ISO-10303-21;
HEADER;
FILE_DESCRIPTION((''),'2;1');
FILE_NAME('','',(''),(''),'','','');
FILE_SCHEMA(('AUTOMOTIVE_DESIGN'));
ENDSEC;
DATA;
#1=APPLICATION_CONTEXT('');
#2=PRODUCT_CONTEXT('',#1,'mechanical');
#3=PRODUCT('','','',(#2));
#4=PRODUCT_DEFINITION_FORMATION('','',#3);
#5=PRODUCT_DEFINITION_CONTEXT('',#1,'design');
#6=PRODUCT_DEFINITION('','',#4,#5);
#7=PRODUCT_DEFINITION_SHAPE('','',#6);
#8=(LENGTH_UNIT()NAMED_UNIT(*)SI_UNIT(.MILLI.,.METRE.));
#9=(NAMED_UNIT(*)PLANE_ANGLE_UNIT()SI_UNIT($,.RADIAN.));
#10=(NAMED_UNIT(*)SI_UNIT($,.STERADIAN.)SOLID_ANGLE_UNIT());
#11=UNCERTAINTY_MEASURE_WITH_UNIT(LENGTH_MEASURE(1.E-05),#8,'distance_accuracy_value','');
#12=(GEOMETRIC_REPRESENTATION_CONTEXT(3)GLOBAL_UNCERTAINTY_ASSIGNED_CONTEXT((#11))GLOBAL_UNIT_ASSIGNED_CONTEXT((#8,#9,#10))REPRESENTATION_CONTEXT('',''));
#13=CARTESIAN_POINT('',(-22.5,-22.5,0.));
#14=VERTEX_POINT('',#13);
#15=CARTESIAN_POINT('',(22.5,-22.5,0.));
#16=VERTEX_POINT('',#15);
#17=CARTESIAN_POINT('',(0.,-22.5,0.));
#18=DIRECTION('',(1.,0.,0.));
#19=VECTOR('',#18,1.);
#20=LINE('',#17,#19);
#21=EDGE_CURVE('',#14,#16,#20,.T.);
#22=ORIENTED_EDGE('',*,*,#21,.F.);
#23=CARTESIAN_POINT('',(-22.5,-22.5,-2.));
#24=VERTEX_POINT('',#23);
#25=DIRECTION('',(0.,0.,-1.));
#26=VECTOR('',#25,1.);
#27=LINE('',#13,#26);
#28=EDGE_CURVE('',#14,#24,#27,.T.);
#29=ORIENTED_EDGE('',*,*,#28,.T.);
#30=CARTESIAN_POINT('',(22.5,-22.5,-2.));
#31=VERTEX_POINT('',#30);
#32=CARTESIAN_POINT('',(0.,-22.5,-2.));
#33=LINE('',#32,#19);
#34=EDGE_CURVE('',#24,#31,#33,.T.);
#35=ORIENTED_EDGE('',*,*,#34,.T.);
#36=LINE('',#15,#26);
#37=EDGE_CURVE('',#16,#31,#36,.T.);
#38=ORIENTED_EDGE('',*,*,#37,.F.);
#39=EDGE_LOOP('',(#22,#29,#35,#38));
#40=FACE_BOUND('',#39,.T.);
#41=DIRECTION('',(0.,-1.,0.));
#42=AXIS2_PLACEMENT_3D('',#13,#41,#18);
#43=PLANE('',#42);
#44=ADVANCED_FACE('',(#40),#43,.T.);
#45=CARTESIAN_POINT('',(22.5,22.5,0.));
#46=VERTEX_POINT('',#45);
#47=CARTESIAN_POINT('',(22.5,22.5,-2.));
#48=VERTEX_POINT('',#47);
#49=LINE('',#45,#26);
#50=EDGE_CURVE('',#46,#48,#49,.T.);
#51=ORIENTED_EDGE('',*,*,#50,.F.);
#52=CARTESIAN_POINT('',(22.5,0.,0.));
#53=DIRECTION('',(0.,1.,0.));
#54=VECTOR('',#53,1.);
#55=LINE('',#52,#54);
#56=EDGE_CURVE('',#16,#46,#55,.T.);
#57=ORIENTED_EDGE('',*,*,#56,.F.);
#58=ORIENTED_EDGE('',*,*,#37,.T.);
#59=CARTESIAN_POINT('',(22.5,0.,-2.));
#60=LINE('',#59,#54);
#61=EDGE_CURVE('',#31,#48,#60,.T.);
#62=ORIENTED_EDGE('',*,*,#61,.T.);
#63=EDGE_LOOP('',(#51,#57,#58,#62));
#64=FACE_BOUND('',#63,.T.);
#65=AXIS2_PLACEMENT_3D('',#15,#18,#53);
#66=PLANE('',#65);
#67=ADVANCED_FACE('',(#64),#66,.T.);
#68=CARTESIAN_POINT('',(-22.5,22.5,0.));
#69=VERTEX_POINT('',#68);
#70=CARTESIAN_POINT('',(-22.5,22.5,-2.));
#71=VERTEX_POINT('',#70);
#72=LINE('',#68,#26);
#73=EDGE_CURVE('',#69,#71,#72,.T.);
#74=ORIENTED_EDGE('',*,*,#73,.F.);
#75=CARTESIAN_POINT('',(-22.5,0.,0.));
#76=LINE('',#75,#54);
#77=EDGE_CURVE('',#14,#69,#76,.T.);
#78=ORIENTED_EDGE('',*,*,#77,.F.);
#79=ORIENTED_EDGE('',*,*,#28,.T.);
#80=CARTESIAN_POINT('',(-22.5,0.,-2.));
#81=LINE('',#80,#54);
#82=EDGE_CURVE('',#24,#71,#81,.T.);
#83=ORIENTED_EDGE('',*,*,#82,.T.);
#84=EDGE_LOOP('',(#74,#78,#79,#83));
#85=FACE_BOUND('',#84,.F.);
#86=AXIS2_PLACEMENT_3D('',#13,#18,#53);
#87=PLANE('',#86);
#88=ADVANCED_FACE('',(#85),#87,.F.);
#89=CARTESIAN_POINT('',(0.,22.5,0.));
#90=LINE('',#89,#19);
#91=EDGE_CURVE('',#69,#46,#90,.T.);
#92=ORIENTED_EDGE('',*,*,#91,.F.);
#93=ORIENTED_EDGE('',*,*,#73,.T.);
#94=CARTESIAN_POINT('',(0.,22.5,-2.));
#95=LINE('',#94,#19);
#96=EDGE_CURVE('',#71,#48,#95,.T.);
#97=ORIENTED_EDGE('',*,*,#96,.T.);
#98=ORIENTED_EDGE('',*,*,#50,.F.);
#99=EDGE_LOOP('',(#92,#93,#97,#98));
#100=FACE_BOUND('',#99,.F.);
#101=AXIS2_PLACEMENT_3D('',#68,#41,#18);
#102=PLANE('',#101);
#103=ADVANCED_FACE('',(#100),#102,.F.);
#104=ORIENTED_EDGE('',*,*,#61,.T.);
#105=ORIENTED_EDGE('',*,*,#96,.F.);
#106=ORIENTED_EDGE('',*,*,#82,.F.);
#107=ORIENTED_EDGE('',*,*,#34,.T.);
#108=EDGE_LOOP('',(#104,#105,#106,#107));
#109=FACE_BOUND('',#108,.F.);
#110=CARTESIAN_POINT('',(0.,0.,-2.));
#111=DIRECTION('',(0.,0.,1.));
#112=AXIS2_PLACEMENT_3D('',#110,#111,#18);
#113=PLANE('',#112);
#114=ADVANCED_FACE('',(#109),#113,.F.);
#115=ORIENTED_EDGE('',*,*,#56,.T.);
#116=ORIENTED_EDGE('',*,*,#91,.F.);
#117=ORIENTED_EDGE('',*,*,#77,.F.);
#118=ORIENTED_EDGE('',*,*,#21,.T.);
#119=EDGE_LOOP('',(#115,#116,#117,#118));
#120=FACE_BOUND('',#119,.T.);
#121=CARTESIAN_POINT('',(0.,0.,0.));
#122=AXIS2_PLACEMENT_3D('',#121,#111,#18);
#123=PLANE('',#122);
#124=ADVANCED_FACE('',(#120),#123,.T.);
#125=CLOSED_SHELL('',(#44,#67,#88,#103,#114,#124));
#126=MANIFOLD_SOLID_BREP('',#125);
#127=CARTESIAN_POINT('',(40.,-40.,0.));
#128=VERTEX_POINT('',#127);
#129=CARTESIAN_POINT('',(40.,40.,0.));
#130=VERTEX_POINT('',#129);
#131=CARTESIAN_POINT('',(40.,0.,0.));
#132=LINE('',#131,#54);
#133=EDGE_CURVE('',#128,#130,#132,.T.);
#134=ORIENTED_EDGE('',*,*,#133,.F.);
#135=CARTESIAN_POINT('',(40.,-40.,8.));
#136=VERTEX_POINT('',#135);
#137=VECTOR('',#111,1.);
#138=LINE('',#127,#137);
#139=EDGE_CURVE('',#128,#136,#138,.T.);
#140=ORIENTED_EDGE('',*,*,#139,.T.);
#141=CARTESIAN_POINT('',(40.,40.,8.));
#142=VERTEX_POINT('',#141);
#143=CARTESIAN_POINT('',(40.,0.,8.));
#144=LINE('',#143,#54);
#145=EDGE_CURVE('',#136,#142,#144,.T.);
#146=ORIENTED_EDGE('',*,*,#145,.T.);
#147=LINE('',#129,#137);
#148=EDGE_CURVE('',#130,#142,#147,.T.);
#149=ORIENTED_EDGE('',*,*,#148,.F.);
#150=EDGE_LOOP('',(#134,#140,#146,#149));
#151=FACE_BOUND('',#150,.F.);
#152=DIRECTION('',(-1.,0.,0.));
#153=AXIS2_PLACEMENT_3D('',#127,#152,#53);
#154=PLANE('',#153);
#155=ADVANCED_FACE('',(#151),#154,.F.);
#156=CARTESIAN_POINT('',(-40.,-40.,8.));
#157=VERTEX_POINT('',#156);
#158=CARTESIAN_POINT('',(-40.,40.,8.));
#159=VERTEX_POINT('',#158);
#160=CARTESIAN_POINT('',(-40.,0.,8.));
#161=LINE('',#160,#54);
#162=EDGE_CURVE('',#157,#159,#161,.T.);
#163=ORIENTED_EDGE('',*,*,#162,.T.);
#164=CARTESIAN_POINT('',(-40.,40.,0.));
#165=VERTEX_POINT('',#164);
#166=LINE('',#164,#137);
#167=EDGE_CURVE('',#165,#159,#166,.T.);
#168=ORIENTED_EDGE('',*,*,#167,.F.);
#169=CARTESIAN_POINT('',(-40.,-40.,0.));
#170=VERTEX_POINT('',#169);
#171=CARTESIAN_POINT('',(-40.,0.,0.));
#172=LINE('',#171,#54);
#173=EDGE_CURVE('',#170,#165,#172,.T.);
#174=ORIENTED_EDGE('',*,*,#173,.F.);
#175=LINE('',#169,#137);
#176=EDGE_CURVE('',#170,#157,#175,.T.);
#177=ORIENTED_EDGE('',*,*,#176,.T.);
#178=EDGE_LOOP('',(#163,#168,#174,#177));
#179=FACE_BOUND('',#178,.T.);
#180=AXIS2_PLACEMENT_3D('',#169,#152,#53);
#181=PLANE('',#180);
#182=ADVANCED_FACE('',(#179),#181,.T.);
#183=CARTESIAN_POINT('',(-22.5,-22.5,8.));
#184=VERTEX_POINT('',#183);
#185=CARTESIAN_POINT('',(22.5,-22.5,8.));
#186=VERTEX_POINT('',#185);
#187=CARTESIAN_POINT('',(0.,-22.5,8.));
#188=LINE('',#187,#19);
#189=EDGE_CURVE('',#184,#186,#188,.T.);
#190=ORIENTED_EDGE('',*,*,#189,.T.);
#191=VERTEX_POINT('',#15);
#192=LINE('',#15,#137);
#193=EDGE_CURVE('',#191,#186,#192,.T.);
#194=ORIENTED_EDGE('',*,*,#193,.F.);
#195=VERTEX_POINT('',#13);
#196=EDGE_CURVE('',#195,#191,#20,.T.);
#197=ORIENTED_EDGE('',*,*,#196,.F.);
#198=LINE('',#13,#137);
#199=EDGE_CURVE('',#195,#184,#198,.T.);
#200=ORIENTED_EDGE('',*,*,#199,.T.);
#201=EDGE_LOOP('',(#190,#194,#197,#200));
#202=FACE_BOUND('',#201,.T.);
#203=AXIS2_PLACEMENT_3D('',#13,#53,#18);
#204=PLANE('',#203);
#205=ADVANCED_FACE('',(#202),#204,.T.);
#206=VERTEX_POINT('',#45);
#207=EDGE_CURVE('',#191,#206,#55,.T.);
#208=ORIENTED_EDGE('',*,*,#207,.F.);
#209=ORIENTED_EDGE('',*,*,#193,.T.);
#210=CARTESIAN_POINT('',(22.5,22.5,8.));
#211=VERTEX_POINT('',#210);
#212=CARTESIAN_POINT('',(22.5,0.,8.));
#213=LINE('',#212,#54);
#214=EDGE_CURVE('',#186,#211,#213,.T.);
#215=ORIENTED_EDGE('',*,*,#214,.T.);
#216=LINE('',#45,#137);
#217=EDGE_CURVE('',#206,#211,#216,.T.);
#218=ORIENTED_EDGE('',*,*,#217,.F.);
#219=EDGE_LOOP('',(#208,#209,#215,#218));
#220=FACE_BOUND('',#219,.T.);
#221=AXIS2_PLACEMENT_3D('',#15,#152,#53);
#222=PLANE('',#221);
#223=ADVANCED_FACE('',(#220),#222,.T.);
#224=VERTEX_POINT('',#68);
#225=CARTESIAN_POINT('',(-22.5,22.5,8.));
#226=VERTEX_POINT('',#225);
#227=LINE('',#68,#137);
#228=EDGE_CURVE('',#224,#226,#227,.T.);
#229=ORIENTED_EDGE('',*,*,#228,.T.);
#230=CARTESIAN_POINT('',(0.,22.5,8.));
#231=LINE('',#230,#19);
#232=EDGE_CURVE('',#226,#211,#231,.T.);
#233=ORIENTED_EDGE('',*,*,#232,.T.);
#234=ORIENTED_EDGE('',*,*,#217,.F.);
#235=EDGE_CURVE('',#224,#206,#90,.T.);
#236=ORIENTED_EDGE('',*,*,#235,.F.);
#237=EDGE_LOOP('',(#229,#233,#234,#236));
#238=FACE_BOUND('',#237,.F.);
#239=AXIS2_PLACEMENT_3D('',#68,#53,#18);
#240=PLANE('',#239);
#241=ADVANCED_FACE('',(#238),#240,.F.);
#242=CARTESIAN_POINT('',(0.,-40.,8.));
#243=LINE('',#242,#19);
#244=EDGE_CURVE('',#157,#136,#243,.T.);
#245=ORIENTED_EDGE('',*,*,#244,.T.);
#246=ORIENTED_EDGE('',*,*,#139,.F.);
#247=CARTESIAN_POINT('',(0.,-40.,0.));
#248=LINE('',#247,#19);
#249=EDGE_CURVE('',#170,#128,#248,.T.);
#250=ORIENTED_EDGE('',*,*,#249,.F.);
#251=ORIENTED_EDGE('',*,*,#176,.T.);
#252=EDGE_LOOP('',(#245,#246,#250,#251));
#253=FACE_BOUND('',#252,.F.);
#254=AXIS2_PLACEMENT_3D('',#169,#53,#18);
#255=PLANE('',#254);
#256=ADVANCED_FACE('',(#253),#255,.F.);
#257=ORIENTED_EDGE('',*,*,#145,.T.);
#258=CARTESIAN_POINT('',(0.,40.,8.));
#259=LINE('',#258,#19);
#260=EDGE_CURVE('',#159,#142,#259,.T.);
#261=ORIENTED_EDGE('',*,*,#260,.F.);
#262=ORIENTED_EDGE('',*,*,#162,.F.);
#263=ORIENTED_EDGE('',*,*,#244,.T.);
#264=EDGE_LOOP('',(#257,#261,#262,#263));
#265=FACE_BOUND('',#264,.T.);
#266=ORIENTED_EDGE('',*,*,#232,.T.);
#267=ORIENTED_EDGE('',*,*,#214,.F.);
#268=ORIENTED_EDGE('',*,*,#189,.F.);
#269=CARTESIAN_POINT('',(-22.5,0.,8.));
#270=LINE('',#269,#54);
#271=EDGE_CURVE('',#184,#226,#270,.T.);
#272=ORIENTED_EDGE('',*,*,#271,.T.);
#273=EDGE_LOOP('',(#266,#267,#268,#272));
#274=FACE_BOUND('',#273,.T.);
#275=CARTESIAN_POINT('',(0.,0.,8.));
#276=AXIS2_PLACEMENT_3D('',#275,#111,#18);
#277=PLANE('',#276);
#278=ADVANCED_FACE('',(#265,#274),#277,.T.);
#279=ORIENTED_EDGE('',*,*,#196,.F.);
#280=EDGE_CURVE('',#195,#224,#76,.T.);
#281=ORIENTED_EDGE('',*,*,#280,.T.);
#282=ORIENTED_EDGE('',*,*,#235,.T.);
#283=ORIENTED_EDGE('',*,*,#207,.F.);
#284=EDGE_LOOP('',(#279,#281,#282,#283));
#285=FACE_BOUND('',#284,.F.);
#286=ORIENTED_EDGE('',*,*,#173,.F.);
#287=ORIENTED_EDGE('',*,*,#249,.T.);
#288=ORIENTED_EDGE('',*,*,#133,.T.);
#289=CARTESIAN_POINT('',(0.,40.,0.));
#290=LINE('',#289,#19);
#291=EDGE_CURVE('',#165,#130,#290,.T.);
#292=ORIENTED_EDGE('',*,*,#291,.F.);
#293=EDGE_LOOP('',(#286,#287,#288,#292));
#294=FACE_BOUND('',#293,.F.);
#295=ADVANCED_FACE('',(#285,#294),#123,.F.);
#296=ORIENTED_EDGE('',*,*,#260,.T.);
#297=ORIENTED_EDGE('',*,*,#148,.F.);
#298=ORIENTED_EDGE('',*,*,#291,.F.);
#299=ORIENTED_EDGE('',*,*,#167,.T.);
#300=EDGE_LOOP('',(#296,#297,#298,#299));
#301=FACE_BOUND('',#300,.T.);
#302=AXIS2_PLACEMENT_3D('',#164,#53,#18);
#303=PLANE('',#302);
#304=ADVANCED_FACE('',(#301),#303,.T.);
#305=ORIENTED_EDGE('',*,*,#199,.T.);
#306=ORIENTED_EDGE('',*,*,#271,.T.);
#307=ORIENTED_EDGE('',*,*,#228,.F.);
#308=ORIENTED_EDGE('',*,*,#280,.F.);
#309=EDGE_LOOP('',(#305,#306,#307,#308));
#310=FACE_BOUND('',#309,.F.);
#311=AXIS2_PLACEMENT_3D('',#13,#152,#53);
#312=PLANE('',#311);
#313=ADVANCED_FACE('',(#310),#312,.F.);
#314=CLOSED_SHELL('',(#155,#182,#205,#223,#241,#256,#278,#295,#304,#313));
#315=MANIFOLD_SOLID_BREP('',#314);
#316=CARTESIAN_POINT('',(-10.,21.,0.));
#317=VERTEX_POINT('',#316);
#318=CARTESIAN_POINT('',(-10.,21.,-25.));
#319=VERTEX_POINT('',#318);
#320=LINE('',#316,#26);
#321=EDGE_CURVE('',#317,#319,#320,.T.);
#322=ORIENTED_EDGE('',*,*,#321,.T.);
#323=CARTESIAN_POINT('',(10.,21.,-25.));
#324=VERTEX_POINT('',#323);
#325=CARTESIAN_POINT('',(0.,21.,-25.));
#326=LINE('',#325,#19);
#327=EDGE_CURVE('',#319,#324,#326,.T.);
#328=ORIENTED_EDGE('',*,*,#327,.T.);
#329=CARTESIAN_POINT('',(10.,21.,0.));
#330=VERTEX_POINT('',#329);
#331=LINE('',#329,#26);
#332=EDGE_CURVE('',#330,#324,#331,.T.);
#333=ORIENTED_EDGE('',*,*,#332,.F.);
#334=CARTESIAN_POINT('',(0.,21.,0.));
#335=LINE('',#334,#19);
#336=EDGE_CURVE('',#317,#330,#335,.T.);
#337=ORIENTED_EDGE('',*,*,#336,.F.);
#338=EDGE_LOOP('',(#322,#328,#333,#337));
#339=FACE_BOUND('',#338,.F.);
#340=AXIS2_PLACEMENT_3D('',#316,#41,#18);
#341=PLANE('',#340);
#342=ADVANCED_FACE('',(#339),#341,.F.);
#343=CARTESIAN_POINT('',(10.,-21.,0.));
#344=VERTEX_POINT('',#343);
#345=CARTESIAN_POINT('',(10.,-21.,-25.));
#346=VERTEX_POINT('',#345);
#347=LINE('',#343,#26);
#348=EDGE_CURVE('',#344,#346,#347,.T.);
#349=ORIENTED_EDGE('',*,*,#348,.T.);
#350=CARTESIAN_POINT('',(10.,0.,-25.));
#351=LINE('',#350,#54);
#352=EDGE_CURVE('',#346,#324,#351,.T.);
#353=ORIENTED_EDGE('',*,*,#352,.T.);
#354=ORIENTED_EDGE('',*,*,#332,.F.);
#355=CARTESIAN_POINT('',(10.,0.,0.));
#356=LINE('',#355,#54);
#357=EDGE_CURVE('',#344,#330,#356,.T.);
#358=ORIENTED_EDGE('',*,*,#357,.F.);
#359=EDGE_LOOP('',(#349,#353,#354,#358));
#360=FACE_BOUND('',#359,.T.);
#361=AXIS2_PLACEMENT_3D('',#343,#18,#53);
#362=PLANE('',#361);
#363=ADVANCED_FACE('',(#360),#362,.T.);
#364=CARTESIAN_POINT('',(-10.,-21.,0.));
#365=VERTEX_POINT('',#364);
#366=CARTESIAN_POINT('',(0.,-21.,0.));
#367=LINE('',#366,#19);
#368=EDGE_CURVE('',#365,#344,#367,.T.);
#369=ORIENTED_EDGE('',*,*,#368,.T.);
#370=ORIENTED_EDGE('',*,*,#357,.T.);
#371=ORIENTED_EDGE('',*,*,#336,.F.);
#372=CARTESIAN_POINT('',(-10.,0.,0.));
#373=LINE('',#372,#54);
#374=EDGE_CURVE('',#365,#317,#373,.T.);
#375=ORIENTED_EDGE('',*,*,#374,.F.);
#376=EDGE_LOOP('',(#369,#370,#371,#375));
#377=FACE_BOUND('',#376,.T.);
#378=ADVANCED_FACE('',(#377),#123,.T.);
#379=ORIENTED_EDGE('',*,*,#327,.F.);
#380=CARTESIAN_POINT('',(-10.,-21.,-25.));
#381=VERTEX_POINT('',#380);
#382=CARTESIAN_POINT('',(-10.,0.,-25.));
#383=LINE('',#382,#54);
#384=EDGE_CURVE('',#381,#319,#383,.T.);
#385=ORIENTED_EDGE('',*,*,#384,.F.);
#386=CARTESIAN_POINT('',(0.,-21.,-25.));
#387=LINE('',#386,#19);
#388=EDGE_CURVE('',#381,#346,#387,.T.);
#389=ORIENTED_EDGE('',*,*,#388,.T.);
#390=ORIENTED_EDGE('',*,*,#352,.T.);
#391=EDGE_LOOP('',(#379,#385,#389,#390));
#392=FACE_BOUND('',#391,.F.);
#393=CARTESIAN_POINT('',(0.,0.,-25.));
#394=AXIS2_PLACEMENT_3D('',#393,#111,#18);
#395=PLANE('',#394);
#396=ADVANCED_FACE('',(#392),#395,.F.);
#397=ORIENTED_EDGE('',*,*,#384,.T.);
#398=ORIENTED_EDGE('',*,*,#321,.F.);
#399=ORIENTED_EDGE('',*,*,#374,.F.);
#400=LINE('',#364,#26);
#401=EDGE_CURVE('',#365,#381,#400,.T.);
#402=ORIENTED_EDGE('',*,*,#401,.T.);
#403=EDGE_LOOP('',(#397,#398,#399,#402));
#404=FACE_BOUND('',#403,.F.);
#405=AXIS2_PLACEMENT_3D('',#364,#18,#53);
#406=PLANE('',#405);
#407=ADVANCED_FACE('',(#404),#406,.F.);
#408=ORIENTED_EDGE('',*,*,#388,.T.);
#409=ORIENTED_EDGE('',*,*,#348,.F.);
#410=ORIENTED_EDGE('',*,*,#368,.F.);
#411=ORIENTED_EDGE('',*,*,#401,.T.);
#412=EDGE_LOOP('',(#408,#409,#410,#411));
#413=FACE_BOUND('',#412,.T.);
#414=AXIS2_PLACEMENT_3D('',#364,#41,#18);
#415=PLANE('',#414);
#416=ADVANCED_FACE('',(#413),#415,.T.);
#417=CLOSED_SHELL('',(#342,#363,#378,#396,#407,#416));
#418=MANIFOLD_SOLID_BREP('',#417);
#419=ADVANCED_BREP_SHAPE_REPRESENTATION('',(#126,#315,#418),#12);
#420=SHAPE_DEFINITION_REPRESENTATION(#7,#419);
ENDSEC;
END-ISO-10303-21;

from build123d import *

# Parameters (mm, degrees)
F0_W     = 80
F0_H     = 80
F0_W_2   = 45
F0_H_2   = 45
F1_DEPTH = 8
F2_W     = 20
F2_H     = 42
F3_DEPTH = 25
F4_DEPTH = 2


with BuildPart() as f1:
    # F0 (on Top) → F1 (new body)
    with BuildSketch(Plane.XY):
        Rectangle(F0_W, F0_H)
        Rectangle(F0_W_2, F0_H_2, mode=Mode.SUBTRACT)
    extrude(amount=F1_DEPTH)


with BuildPart() as f3:
    # F2 (on Top) → F3 (new body)
    with BuildSketch(Plane.XY):
        Rectangle(F2_W, F2_H)
    extrude(amount=-F3_DEPTH)


with BuildPart() as f4:
    # F0 (on Top) → F4 (new body)
    with BuildSketch(Plane.XY):
        Rectangle(F0_W_2, F0_H_2)
    extrude(amount=-F4_DEPTH)


solid = Compound([f1.part, f3.part, f4.part])
